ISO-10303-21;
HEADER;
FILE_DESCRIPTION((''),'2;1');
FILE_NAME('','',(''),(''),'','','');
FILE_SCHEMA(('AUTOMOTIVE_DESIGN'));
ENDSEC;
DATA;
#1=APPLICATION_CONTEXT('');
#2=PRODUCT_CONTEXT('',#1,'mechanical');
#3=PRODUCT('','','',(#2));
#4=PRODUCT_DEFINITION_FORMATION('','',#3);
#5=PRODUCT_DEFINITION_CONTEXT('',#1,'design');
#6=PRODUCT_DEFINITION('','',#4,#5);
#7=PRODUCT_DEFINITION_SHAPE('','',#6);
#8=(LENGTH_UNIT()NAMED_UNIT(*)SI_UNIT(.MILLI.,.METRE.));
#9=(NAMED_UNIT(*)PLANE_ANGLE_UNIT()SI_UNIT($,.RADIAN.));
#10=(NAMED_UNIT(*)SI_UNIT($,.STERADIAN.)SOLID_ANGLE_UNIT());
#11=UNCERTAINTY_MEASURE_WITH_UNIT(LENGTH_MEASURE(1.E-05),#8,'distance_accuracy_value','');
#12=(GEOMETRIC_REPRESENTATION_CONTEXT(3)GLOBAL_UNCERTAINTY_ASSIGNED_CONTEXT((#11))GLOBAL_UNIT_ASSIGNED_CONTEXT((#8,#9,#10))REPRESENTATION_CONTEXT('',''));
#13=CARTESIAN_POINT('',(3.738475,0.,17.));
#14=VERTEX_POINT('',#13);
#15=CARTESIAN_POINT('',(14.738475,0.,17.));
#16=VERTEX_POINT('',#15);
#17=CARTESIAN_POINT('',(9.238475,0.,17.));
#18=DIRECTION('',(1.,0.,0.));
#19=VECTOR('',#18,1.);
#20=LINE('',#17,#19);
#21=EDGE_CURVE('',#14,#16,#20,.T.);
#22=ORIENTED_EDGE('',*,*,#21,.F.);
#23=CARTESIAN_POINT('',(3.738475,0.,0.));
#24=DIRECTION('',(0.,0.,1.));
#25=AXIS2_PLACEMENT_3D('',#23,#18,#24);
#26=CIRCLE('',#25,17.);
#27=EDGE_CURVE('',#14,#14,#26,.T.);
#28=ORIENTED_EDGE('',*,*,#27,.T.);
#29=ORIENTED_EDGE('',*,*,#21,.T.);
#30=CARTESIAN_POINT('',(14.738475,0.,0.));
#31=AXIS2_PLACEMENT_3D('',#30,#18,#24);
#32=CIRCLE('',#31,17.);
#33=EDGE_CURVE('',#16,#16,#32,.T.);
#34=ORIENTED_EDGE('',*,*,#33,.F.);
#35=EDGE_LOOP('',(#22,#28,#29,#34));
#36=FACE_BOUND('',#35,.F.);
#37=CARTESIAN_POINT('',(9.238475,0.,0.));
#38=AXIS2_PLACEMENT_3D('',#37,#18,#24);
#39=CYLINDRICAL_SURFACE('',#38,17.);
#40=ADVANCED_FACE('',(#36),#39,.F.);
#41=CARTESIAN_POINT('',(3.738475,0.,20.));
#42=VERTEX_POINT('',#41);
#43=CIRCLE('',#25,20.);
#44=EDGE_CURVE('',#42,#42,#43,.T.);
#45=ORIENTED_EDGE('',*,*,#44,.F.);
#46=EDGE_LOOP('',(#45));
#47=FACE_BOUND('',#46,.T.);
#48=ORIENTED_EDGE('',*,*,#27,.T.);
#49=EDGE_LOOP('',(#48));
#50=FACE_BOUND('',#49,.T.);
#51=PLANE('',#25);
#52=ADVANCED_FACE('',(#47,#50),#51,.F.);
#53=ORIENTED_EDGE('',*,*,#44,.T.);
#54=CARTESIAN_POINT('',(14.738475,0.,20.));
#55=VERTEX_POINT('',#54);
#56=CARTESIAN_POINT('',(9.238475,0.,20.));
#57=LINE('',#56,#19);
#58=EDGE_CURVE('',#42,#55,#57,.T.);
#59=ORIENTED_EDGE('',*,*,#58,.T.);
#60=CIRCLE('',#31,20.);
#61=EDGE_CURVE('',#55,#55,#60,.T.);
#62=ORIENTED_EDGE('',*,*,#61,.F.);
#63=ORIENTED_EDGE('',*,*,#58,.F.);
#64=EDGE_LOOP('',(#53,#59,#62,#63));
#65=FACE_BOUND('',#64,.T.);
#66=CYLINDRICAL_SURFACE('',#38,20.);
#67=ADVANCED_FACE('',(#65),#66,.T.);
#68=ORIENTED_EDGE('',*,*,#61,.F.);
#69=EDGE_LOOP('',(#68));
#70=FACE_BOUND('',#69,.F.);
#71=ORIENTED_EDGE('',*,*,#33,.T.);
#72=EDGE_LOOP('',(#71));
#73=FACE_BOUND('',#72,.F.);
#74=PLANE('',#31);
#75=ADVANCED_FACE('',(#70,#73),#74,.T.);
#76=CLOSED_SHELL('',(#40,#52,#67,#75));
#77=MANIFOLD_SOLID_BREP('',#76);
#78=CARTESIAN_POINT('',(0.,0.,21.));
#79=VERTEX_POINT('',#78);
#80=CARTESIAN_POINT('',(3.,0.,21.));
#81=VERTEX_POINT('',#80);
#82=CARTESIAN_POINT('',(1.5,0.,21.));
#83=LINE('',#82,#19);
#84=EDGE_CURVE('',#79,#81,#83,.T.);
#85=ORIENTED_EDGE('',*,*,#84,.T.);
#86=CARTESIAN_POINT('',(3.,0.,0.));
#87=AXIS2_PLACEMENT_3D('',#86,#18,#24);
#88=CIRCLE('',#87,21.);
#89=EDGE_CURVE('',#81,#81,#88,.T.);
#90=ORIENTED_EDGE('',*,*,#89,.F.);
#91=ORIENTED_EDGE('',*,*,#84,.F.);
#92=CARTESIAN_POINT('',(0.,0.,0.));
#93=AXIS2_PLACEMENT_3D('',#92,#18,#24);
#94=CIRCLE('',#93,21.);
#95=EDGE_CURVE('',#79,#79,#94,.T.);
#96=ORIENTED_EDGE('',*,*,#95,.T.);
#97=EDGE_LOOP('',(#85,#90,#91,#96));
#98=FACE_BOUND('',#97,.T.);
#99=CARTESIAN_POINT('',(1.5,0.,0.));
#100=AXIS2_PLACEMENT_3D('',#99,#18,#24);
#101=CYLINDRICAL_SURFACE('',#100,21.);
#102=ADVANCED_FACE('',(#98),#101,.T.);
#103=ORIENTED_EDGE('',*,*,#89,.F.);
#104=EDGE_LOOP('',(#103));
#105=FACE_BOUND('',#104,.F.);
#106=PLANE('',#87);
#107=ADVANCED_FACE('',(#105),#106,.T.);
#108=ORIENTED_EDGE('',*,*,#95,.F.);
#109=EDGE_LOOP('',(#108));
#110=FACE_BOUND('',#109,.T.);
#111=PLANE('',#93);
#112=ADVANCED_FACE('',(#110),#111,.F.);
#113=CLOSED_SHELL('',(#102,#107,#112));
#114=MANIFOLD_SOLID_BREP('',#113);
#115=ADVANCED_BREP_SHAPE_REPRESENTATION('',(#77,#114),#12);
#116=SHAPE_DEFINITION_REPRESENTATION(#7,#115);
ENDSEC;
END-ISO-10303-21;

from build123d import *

# Parameters (mm, degrees)
F0_W = 3
F0_H = 21
F2_W = 11
F2_H = 3


with BuildPart() as f1:
    # F0 (on Front) → F1 (revolve)
    with BuildSketch(Plane.XZ):
        with Locations((1.5, 10.5)):
            Rectangle(F0_W, F0_H)
    revolve(axis=Axis((1.5, 0, 0), (1, 0, 0)))


with BuildPart() as f3:
    # F2 (on Front) → F3 (revolve)
    with BuildSketch(Plane.XZ):
        with Locations((9.238475, 18.5)):
            Rectangle(F2_W, F2_H)
    revolve(axis=Axis((9.238475, 0, 0), (1, 0, 0)))


solid = Compound([f1.part, f3.part])
